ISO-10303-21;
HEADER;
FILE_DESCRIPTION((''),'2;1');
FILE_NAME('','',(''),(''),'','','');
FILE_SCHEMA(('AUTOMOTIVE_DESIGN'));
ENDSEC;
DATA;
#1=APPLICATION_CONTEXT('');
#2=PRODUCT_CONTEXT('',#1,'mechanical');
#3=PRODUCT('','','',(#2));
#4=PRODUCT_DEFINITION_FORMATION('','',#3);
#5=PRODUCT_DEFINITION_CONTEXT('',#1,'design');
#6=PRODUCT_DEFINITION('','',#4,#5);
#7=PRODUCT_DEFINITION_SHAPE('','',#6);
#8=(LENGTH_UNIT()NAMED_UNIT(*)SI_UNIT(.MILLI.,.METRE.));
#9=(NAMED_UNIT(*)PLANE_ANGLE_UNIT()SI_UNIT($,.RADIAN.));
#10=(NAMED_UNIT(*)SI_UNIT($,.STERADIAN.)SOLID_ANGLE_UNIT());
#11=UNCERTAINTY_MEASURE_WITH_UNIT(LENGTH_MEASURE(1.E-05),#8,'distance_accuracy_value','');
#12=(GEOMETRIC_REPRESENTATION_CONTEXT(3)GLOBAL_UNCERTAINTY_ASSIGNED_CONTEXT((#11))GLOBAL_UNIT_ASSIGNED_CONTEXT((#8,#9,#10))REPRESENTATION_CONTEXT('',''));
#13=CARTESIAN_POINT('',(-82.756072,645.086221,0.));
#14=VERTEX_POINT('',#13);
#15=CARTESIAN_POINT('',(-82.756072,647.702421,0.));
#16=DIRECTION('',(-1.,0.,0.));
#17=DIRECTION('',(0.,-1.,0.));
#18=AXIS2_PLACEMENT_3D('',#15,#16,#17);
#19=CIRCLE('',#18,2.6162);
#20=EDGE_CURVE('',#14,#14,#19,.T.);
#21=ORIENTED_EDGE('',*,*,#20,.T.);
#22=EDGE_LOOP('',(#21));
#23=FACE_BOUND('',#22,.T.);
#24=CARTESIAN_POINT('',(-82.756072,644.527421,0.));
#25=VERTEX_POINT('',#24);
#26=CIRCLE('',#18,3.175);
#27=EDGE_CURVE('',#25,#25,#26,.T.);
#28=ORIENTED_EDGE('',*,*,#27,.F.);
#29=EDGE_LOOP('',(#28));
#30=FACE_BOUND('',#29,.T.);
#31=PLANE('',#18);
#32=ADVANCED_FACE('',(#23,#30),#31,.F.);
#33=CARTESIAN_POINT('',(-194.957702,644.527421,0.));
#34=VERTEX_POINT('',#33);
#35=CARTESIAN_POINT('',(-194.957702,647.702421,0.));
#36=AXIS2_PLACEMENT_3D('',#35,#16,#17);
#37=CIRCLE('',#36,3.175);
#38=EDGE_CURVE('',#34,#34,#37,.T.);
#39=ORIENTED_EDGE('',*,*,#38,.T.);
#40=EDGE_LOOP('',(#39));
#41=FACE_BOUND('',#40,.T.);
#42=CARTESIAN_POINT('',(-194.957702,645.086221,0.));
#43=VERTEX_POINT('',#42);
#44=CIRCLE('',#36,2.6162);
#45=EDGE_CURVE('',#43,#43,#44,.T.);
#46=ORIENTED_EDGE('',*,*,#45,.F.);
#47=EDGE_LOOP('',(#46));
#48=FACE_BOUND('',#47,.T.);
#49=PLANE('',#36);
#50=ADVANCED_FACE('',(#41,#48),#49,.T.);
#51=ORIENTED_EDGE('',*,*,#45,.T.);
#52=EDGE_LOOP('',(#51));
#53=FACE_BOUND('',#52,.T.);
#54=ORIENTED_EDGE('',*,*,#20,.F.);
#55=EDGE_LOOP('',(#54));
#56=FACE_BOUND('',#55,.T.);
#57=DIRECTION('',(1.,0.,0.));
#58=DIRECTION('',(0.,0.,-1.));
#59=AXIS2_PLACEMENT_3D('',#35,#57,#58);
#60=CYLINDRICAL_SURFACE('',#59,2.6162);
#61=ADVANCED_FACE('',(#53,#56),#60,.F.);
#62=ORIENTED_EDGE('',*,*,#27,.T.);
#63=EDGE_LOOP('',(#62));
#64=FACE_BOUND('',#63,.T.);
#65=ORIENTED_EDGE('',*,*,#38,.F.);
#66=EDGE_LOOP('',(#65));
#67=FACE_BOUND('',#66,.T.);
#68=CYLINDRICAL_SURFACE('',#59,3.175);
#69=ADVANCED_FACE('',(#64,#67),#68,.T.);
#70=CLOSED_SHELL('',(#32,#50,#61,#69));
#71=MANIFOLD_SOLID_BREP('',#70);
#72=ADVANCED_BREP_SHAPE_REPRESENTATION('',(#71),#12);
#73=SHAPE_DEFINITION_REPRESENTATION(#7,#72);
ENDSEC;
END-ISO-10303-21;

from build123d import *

# Parameters (mm, degrees)
SKETCH1_R               = 3.175
SKETCH1_R_2             = 2.6162
PIPE_0_5_SCH_40_1_DEPTH = 112.201630443


with BuildPart() as part:
    # Sketch1 → Pipe 0.5 SCH 40(1) (new body)
    with BuildSketch(Plane(origin=(-82.756071761, 647.702421083, 0), x_dir=(0, -1, 0), z_dir=(-1, 0, 0))):
        Circle(SKETCH1_R)
        Circle(SKETCH1_R_2, mode=Mode.SUBTRACT)
    extrude(amount=PIPE_0_5_SCH_40_1_DEPTH)


solid = part.part
